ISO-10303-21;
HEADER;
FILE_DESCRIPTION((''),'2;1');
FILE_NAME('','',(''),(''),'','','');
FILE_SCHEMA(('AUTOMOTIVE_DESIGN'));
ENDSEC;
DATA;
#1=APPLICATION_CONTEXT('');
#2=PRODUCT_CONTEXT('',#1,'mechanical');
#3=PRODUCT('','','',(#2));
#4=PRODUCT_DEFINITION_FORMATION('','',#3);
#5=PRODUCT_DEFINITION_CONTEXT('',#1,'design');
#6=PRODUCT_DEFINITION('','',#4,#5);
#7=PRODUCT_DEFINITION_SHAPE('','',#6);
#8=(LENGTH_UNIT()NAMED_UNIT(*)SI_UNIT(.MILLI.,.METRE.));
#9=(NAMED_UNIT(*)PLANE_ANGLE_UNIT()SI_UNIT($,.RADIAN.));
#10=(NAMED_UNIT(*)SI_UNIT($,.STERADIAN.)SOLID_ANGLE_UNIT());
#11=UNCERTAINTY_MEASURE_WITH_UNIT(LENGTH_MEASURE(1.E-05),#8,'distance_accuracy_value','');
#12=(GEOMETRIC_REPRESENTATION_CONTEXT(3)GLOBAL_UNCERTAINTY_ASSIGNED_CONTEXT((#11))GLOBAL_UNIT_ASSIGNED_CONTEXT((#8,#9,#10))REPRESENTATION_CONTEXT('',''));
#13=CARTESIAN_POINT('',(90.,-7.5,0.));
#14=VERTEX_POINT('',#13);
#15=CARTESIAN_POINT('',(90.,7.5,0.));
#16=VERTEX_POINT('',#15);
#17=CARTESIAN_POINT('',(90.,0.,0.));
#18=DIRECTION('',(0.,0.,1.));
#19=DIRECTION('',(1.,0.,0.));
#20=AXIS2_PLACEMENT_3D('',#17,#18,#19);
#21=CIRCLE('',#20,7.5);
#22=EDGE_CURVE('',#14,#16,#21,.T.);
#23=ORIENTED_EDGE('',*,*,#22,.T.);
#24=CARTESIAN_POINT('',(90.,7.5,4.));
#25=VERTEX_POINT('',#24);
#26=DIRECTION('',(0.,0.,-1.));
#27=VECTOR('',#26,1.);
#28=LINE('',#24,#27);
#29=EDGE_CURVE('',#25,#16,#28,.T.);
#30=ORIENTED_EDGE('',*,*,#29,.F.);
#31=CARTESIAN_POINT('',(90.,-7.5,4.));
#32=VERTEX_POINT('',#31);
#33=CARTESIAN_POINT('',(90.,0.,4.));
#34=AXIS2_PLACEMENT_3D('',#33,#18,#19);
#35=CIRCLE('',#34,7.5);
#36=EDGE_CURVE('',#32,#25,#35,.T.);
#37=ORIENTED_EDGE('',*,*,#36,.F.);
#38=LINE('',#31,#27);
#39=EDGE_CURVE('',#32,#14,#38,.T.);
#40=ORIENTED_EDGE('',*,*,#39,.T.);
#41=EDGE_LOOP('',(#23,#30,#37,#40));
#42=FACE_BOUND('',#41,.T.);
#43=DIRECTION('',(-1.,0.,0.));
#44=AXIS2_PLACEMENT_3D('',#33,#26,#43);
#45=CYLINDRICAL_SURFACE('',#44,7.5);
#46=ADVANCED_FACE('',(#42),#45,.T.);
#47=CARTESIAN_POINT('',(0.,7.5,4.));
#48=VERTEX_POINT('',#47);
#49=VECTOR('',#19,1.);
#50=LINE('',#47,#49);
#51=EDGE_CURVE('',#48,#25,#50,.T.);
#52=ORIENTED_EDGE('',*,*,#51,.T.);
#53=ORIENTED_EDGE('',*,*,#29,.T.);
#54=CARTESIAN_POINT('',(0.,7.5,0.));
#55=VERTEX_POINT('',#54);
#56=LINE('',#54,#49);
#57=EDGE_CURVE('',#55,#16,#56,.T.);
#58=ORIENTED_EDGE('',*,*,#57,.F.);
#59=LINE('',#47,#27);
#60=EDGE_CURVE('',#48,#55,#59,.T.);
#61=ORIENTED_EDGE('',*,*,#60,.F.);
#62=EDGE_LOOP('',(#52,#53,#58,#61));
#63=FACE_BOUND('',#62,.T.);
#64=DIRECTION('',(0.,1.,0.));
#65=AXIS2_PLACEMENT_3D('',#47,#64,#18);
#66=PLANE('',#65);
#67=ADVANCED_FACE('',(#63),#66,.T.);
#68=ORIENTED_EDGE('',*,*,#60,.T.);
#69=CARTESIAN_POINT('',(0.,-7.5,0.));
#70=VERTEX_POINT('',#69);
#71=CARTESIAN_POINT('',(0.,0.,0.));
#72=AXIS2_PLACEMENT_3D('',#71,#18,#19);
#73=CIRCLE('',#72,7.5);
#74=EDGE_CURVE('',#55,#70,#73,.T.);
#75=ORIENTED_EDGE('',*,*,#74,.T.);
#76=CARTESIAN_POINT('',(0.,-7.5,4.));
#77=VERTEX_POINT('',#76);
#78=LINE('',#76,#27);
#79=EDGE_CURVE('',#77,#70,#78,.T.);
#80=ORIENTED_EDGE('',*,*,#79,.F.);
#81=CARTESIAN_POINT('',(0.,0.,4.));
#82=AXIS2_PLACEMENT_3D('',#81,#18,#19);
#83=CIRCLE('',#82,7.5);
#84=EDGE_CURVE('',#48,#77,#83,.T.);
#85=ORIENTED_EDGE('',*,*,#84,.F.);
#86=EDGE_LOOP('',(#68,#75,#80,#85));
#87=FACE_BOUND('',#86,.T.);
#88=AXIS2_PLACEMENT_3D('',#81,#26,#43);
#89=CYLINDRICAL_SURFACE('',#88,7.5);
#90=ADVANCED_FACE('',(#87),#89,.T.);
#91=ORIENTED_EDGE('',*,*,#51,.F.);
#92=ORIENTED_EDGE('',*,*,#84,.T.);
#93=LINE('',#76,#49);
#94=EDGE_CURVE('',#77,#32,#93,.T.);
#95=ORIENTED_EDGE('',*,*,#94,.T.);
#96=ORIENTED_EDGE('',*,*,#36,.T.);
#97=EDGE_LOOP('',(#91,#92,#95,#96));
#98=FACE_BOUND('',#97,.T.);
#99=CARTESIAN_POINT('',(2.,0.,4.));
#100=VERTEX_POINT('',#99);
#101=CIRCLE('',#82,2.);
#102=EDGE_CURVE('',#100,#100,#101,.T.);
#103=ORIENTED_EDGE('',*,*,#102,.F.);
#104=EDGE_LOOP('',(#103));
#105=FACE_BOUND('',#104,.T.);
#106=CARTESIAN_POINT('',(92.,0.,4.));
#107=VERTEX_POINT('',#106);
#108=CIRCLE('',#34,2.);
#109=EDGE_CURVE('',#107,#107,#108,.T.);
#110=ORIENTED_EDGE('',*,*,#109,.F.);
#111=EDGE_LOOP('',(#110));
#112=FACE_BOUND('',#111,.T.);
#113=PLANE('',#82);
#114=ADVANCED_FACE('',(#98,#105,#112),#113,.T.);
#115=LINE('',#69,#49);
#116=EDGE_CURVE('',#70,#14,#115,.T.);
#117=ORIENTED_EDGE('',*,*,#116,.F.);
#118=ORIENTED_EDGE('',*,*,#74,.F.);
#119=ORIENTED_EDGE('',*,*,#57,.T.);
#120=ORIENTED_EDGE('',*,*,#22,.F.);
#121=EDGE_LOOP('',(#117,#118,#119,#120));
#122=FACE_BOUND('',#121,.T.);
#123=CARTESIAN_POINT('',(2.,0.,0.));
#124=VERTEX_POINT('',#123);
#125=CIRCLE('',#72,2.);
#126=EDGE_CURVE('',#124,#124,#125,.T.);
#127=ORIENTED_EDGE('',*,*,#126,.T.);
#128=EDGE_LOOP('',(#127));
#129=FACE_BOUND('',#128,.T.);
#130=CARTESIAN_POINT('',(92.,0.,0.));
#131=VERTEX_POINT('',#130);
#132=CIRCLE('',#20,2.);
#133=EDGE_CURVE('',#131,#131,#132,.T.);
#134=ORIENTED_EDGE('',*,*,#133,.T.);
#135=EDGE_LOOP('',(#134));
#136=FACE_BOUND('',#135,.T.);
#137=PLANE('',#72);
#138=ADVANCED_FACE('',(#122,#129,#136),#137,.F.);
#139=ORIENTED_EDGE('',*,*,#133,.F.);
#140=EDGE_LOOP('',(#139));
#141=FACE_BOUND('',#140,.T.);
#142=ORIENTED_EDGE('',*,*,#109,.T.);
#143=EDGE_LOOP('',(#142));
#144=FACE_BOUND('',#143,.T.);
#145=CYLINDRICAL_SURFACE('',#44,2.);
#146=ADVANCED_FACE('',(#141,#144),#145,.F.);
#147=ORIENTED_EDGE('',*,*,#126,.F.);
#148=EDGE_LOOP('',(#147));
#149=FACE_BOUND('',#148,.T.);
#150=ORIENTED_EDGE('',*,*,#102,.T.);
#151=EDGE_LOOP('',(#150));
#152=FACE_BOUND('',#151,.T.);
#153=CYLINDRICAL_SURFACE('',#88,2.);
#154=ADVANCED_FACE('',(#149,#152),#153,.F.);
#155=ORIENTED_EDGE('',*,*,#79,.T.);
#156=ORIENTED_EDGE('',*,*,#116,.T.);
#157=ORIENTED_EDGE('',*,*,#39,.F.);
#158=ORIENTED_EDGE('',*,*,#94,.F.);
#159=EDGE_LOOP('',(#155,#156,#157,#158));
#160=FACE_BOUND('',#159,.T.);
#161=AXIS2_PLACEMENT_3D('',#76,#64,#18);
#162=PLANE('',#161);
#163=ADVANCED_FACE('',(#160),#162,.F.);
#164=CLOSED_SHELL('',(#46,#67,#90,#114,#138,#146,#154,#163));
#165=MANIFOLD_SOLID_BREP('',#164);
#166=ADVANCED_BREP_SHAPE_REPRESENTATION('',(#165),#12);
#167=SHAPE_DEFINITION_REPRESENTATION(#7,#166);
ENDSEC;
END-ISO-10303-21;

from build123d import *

# Parameters (mm, degrees)
SKETCH1_R           = 2
BOSS_EXTRUDE1_DEPTH = 4


with BuildPart() as part:
    # Sketch1 → Boss-Extrude1 (new body)
    with BuildSketch(Plane.XY):
        with BuildLine():
            Line((0, 7.5), (90, 7.5))
            ThreePointArc((90, 7.5), (97.5, 0), (90, -7.5))
            Line((90, -7.5), (0, -7.5))
            ThreePointArc((0, -7.5), (-7.5, 0), (0, 7.5))
        make_face()
        Circle(SKETCH1_R, mode=Mode.SUBTRACT)
        with Locations((90, 0)):
            Circle(SKETCH1_R, mode=Mode.SUBTRACT)
    extrude(amount=BOSS_EXTRUDE1_DEPTH)


solid = part.part
